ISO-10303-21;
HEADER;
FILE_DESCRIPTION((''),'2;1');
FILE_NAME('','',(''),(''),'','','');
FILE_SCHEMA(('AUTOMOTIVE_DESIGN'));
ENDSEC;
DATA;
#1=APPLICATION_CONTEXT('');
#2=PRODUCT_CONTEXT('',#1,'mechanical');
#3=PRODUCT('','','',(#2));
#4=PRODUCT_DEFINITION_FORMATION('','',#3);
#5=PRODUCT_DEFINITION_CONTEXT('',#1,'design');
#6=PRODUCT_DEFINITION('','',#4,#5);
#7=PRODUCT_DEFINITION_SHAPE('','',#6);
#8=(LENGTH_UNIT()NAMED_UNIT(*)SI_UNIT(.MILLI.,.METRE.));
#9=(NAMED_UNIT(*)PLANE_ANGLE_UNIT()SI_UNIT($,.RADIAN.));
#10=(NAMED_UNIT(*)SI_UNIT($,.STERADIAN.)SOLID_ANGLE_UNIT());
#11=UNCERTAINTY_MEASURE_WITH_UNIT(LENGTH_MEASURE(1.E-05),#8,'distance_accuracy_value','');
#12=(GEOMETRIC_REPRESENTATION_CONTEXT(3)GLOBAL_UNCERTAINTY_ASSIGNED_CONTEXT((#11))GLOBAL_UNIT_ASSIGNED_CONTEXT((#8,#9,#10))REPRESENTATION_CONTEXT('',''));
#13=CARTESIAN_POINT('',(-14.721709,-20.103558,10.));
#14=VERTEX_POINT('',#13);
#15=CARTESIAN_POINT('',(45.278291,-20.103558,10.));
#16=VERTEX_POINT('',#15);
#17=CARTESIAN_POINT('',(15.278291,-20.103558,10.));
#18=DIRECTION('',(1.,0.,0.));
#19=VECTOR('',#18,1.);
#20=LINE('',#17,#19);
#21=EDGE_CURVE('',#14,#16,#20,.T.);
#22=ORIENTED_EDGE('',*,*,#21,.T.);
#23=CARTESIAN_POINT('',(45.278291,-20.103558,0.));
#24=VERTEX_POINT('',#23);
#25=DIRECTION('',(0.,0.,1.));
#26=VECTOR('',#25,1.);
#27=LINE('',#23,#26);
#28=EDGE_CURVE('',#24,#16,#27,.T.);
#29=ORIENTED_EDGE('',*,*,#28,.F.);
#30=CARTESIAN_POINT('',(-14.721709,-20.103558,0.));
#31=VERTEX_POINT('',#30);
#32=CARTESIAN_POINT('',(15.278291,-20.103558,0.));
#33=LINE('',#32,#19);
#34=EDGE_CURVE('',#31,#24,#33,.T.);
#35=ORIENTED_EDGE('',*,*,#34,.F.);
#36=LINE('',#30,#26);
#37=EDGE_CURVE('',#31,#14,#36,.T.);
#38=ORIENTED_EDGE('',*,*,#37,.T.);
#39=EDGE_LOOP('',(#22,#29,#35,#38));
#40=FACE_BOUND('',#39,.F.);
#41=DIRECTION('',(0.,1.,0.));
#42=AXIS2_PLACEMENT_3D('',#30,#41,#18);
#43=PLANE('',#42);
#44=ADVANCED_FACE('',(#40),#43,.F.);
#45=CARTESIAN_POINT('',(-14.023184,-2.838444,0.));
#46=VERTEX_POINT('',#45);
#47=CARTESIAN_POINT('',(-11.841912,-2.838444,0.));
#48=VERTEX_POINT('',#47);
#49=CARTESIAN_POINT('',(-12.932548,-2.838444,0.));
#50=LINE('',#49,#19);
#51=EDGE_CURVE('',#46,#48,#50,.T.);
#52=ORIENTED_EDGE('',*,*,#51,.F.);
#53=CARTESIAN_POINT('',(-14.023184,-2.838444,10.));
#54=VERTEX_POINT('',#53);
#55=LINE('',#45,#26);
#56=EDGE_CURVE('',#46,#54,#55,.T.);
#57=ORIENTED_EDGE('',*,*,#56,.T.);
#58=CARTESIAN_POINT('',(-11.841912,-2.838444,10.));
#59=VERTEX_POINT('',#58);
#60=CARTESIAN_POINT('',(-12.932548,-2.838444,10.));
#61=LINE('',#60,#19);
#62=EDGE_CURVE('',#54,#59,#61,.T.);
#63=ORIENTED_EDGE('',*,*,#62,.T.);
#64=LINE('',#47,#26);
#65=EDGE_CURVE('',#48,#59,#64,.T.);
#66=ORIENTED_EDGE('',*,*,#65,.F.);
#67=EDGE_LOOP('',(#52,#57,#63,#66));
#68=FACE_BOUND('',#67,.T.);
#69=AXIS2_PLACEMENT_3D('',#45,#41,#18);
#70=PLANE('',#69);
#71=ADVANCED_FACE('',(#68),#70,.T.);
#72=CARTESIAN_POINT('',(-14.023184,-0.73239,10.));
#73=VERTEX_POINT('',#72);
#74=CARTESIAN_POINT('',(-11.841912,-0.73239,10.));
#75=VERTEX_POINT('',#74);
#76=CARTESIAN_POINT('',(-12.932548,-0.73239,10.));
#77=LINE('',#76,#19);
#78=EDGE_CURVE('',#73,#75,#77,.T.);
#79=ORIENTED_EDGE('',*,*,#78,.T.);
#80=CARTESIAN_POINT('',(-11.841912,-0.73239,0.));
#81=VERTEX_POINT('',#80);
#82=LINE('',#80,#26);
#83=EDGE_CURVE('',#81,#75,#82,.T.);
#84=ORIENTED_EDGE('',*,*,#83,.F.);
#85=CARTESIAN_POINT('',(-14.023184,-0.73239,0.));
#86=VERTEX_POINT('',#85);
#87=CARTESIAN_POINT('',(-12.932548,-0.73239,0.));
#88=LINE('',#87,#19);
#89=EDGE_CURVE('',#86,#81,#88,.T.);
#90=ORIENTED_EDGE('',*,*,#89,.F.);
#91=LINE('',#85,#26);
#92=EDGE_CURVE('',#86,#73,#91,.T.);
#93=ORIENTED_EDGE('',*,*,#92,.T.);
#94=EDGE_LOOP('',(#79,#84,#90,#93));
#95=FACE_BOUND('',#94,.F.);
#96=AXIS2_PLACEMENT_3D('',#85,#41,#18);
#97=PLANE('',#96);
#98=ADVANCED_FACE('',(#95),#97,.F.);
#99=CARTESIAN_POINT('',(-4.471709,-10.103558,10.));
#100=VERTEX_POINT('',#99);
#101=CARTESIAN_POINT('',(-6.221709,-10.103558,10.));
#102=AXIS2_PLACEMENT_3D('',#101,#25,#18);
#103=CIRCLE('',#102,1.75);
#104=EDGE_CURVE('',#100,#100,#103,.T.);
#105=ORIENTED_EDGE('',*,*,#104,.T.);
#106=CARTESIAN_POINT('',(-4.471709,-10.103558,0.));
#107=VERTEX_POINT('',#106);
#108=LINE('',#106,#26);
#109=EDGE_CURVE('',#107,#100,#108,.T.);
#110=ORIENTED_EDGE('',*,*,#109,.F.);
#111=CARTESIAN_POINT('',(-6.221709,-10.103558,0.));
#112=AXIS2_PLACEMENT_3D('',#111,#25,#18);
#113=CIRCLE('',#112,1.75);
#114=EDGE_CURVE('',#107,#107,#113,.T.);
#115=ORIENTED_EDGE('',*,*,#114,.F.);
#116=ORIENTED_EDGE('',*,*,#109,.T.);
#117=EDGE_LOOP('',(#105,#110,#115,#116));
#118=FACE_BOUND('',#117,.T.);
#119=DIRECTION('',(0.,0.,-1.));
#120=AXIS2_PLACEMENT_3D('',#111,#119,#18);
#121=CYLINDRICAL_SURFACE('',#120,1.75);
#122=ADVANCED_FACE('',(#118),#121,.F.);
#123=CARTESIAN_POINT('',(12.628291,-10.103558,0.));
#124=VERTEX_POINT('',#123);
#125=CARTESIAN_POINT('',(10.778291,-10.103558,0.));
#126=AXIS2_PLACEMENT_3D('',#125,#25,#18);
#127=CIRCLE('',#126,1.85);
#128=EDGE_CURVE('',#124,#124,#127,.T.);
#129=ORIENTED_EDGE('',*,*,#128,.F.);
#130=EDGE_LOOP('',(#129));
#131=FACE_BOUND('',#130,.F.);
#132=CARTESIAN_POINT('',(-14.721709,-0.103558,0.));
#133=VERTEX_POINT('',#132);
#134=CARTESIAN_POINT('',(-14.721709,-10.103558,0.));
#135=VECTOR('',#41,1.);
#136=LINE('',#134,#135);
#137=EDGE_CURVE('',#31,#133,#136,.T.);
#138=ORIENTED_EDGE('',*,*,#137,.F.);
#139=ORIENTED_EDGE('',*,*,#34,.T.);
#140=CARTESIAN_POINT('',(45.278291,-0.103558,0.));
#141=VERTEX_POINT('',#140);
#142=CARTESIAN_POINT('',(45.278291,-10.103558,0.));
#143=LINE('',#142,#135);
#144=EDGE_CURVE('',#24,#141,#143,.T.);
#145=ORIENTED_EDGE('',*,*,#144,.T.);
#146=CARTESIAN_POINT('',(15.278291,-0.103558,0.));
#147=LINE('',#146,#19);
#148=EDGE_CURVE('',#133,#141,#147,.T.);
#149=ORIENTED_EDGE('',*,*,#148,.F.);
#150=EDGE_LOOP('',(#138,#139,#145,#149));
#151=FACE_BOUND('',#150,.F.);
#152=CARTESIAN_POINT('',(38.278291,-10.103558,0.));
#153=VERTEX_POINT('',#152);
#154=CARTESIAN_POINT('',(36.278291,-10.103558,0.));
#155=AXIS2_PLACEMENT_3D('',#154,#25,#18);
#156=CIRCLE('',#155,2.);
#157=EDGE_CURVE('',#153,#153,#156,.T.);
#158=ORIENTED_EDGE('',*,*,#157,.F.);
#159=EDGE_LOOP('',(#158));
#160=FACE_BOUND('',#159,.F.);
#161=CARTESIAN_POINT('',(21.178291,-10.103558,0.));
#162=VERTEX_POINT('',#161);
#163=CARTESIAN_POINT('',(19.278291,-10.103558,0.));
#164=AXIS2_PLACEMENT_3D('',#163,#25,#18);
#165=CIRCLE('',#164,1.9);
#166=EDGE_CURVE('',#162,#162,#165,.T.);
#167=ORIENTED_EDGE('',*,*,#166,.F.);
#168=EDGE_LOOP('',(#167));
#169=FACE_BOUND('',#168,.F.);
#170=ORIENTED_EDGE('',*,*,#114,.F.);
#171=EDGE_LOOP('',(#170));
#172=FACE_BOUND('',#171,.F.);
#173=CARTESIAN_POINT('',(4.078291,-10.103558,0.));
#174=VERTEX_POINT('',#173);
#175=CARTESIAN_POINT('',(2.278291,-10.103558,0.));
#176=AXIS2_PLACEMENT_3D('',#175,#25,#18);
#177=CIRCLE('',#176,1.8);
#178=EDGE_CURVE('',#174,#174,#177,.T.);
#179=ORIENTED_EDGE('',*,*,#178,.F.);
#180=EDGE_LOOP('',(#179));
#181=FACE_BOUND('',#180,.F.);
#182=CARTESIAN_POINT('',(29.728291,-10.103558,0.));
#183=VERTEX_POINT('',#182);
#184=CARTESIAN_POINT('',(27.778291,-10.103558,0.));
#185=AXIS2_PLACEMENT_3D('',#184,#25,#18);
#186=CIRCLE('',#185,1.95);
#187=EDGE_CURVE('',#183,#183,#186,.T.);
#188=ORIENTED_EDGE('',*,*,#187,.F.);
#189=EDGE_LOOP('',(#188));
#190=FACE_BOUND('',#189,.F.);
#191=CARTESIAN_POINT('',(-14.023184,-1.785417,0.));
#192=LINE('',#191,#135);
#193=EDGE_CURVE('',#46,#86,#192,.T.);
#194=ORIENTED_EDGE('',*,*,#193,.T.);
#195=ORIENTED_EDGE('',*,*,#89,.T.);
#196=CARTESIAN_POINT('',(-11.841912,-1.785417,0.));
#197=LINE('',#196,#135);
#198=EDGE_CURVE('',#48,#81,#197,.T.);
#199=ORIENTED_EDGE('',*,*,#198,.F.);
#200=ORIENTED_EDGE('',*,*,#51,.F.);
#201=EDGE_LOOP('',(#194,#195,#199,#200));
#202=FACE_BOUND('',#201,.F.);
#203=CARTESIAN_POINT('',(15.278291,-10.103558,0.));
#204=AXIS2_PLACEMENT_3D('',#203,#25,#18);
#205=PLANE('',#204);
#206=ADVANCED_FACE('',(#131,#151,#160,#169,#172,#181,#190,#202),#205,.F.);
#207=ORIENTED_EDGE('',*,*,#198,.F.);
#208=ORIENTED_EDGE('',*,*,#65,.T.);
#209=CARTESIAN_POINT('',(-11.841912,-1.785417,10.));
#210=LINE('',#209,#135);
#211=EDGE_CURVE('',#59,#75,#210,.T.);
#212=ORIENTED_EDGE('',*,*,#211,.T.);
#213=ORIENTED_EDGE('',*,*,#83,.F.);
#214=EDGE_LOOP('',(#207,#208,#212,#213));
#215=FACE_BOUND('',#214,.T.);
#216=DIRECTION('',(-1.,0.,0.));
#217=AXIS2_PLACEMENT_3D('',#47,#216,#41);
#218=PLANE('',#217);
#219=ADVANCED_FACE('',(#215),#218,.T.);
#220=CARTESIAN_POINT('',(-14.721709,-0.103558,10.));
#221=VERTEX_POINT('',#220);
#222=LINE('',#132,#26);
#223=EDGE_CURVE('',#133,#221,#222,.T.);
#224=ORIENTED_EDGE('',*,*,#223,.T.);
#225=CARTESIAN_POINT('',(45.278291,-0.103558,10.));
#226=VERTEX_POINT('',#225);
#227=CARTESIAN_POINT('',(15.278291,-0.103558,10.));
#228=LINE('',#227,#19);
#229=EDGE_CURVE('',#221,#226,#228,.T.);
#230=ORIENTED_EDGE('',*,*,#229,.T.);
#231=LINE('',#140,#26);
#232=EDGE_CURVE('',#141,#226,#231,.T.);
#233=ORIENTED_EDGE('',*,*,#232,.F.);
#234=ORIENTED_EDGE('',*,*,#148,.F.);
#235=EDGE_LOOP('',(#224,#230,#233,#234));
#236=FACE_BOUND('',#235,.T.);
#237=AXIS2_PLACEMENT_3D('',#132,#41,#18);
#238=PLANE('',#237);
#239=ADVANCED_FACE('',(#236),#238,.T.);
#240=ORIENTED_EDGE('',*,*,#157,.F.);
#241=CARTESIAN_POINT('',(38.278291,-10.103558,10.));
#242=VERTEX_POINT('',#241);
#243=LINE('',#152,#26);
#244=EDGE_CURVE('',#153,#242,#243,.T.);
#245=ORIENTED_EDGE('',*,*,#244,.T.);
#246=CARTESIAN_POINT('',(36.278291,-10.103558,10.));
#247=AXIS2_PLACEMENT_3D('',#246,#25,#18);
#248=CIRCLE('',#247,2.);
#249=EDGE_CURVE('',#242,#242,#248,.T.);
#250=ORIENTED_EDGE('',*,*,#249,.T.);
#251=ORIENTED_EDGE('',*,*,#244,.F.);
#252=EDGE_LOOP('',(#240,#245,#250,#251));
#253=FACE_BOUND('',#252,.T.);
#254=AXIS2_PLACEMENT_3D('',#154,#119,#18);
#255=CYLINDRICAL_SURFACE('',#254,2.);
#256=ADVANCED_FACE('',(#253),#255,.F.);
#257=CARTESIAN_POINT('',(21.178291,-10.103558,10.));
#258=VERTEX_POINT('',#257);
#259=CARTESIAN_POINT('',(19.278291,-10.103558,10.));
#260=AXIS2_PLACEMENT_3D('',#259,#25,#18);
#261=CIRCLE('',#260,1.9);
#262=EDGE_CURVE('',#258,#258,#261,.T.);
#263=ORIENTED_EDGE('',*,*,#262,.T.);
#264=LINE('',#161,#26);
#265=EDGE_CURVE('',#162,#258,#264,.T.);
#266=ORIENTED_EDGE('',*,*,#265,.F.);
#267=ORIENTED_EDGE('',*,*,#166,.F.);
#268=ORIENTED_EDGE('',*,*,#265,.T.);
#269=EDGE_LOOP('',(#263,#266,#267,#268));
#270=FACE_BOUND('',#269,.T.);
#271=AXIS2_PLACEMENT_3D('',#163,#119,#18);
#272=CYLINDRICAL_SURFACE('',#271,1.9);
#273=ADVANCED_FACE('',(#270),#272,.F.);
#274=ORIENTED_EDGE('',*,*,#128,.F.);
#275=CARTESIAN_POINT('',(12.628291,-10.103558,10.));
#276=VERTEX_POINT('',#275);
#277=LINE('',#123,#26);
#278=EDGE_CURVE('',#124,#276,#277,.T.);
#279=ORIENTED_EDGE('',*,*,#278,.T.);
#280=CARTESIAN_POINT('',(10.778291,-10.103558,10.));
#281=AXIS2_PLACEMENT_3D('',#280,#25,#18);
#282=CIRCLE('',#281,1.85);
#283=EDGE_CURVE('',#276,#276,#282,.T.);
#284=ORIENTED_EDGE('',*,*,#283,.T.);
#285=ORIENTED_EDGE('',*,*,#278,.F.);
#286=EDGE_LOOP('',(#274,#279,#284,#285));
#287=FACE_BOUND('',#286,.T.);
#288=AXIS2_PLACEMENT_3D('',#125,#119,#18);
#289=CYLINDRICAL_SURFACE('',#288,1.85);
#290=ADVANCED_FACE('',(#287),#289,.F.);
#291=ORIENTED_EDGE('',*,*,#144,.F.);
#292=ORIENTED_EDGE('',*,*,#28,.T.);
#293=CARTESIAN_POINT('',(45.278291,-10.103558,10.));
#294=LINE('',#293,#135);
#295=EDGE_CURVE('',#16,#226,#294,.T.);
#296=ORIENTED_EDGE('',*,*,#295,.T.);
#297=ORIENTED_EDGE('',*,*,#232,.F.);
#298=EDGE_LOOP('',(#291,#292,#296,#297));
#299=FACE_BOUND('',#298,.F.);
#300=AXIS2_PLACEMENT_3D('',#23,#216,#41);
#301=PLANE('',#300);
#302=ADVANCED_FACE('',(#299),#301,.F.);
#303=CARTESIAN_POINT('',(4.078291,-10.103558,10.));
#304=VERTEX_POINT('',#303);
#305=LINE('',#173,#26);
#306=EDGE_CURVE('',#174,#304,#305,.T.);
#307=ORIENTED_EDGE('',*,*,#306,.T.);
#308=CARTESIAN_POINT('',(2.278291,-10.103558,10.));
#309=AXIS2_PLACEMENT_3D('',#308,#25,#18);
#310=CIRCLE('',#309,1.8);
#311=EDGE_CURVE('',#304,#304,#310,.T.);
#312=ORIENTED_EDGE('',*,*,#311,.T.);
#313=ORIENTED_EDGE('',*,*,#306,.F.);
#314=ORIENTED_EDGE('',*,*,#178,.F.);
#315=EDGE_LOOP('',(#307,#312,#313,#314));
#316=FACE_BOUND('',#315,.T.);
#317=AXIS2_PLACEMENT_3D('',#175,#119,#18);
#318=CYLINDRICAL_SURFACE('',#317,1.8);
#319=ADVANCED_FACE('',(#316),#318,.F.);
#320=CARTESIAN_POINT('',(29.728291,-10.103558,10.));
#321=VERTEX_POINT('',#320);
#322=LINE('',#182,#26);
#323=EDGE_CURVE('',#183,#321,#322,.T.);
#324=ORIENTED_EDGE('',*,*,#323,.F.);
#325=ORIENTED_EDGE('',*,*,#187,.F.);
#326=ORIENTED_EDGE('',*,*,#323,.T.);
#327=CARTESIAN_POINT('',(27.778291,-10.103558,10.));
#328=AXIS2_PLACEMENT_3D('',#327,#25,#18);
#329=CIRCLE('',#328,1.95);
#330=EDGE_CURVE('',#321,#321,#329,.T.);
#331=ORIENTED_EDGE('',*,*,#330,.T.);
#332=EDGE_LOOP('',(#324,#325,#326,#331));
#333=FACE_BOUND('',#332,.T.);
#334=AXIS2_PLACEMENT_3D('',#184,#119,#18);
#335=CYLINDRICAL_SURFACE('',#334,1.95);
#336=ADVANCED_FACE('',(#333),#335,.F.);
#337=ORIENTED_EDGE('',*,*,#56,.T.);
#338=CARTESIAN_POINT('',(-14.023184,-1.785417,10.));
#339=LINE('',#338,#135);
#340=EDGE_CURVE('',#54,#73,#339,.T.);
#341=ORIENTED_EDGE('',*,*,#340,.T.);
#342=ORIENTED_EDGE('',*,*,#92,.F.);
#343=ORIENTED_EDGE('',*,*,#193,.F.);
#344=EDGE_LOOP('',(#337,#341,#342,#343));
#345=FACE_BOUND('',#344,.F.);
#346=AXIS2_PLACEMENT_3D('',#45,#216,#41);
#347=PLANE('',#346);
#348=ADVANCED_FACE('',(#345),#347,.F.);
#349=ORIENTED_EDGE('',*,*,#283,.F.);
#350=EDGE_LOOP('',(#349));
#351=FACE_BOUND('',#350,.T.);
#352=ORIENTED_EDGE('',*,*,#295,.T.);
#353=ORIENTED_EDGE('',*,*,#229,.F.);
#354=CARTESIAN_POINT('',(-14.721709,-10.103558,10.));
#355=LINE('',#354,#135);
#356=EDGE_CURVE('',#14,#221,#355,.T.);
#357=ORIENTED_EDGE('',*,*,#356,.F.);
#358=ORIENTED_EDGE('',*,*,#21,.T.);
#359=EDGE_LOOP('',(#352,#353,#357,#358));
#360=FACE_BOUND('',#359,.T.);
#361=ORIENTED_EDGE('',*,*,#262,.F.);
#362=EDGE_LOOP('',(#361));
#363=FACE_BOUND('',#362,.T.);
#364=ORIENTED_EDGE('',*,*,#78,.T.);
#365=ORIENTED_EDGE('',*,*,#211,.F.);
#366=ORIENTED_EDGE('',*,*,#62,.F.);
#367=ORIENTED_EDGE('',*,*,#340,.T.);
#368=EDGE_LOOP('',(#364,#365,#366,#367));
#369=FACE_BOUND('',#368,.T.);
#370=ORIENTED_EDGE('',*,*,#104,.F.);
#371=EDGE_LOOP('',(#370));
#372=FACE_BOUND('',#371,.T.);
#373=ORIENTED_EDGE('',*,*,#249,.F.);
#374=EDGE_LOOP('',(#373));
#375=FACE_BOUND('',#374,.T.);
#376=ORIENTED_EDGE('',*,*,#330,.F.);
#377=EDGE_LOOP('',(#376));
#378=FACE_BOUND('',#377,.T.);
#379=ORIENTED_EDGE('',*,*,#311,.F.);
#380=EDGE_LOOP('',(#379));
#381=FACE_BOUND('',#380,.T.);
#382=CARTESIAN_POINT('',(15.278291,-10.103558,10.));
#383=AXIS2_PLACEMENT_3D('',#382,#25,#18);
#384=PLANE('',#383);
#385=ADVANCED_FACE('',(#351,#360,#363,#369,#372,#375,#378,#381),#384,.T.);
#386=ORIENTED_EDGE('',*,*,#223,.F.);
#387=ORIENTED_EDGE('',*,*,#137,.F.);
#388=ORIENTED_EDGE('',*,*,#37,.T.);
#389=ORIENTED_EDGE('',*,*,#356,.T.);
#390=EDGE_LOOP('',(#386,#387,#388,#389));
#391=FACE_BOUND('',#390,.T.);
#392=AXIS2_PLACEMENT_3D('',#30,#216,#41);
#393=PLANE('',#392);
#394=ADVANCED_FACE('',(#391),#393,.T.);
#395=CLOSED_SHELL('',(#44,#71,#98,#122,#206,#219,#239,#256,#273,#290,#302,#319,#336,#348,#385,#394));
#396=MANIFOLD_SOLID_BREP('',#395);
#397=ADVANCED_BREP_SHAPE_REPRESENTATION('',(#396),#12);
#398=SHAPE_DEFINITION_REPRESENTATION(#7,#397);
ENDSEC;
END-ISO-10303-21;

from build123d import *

# Parameters (mm, degrees)
F0_W     = 60
F0_H     = 20
F0_R     = 1.75
F0_R_2   = 1.8
F0_R_3   = 1.85
F0_R_4   = 1.9
F0_R_5   = 1.95
F0_R_6   = 2
F0_W_2   = 2.181272
F0_H_2   = 2.106054
F1_DEPTH = 10


with BuildPart() as f1:
    # F0 (on Top) → F1 (new body)
    with BuildSketch(Plane.XY):
        with Locations((15.278291, -10.103558)):
            Rectangle(F0_W, F0_H)
        with Locations((-6.221709, -10.103558)):
            Circle(F0_R, mode=Mode.SUBTRACT)
        with Locations((2.278291, -10.103558)):
            Circle(F0_R_2, mode=Mode.SUBTRACT)
        with Locations((10.778291, -10.103558)):
            Circle(F0_R_3, mode=Mode.SUBTRACT)
        with Locations((19.278291, -10.103558)):
            Circle(F0_R_4, mode=Mode.SUBTRACT)
        with Locations((27.778291, -10.103558)):
            Circle(F0_R_5, mode=Mode.SUBTRACT)
        with Locations((36.278291, -10.103558)):
            Circle(F0_R_6, mode=Mode.SUBTRACT)
        with Locations((-12.932548, -1.785417)):
            Rectangle(F0_W_2, F0_H_2, mode=Mode.SUBTRACT)
    extrude(amount=F1_DEPTH)


solid = f1.part
